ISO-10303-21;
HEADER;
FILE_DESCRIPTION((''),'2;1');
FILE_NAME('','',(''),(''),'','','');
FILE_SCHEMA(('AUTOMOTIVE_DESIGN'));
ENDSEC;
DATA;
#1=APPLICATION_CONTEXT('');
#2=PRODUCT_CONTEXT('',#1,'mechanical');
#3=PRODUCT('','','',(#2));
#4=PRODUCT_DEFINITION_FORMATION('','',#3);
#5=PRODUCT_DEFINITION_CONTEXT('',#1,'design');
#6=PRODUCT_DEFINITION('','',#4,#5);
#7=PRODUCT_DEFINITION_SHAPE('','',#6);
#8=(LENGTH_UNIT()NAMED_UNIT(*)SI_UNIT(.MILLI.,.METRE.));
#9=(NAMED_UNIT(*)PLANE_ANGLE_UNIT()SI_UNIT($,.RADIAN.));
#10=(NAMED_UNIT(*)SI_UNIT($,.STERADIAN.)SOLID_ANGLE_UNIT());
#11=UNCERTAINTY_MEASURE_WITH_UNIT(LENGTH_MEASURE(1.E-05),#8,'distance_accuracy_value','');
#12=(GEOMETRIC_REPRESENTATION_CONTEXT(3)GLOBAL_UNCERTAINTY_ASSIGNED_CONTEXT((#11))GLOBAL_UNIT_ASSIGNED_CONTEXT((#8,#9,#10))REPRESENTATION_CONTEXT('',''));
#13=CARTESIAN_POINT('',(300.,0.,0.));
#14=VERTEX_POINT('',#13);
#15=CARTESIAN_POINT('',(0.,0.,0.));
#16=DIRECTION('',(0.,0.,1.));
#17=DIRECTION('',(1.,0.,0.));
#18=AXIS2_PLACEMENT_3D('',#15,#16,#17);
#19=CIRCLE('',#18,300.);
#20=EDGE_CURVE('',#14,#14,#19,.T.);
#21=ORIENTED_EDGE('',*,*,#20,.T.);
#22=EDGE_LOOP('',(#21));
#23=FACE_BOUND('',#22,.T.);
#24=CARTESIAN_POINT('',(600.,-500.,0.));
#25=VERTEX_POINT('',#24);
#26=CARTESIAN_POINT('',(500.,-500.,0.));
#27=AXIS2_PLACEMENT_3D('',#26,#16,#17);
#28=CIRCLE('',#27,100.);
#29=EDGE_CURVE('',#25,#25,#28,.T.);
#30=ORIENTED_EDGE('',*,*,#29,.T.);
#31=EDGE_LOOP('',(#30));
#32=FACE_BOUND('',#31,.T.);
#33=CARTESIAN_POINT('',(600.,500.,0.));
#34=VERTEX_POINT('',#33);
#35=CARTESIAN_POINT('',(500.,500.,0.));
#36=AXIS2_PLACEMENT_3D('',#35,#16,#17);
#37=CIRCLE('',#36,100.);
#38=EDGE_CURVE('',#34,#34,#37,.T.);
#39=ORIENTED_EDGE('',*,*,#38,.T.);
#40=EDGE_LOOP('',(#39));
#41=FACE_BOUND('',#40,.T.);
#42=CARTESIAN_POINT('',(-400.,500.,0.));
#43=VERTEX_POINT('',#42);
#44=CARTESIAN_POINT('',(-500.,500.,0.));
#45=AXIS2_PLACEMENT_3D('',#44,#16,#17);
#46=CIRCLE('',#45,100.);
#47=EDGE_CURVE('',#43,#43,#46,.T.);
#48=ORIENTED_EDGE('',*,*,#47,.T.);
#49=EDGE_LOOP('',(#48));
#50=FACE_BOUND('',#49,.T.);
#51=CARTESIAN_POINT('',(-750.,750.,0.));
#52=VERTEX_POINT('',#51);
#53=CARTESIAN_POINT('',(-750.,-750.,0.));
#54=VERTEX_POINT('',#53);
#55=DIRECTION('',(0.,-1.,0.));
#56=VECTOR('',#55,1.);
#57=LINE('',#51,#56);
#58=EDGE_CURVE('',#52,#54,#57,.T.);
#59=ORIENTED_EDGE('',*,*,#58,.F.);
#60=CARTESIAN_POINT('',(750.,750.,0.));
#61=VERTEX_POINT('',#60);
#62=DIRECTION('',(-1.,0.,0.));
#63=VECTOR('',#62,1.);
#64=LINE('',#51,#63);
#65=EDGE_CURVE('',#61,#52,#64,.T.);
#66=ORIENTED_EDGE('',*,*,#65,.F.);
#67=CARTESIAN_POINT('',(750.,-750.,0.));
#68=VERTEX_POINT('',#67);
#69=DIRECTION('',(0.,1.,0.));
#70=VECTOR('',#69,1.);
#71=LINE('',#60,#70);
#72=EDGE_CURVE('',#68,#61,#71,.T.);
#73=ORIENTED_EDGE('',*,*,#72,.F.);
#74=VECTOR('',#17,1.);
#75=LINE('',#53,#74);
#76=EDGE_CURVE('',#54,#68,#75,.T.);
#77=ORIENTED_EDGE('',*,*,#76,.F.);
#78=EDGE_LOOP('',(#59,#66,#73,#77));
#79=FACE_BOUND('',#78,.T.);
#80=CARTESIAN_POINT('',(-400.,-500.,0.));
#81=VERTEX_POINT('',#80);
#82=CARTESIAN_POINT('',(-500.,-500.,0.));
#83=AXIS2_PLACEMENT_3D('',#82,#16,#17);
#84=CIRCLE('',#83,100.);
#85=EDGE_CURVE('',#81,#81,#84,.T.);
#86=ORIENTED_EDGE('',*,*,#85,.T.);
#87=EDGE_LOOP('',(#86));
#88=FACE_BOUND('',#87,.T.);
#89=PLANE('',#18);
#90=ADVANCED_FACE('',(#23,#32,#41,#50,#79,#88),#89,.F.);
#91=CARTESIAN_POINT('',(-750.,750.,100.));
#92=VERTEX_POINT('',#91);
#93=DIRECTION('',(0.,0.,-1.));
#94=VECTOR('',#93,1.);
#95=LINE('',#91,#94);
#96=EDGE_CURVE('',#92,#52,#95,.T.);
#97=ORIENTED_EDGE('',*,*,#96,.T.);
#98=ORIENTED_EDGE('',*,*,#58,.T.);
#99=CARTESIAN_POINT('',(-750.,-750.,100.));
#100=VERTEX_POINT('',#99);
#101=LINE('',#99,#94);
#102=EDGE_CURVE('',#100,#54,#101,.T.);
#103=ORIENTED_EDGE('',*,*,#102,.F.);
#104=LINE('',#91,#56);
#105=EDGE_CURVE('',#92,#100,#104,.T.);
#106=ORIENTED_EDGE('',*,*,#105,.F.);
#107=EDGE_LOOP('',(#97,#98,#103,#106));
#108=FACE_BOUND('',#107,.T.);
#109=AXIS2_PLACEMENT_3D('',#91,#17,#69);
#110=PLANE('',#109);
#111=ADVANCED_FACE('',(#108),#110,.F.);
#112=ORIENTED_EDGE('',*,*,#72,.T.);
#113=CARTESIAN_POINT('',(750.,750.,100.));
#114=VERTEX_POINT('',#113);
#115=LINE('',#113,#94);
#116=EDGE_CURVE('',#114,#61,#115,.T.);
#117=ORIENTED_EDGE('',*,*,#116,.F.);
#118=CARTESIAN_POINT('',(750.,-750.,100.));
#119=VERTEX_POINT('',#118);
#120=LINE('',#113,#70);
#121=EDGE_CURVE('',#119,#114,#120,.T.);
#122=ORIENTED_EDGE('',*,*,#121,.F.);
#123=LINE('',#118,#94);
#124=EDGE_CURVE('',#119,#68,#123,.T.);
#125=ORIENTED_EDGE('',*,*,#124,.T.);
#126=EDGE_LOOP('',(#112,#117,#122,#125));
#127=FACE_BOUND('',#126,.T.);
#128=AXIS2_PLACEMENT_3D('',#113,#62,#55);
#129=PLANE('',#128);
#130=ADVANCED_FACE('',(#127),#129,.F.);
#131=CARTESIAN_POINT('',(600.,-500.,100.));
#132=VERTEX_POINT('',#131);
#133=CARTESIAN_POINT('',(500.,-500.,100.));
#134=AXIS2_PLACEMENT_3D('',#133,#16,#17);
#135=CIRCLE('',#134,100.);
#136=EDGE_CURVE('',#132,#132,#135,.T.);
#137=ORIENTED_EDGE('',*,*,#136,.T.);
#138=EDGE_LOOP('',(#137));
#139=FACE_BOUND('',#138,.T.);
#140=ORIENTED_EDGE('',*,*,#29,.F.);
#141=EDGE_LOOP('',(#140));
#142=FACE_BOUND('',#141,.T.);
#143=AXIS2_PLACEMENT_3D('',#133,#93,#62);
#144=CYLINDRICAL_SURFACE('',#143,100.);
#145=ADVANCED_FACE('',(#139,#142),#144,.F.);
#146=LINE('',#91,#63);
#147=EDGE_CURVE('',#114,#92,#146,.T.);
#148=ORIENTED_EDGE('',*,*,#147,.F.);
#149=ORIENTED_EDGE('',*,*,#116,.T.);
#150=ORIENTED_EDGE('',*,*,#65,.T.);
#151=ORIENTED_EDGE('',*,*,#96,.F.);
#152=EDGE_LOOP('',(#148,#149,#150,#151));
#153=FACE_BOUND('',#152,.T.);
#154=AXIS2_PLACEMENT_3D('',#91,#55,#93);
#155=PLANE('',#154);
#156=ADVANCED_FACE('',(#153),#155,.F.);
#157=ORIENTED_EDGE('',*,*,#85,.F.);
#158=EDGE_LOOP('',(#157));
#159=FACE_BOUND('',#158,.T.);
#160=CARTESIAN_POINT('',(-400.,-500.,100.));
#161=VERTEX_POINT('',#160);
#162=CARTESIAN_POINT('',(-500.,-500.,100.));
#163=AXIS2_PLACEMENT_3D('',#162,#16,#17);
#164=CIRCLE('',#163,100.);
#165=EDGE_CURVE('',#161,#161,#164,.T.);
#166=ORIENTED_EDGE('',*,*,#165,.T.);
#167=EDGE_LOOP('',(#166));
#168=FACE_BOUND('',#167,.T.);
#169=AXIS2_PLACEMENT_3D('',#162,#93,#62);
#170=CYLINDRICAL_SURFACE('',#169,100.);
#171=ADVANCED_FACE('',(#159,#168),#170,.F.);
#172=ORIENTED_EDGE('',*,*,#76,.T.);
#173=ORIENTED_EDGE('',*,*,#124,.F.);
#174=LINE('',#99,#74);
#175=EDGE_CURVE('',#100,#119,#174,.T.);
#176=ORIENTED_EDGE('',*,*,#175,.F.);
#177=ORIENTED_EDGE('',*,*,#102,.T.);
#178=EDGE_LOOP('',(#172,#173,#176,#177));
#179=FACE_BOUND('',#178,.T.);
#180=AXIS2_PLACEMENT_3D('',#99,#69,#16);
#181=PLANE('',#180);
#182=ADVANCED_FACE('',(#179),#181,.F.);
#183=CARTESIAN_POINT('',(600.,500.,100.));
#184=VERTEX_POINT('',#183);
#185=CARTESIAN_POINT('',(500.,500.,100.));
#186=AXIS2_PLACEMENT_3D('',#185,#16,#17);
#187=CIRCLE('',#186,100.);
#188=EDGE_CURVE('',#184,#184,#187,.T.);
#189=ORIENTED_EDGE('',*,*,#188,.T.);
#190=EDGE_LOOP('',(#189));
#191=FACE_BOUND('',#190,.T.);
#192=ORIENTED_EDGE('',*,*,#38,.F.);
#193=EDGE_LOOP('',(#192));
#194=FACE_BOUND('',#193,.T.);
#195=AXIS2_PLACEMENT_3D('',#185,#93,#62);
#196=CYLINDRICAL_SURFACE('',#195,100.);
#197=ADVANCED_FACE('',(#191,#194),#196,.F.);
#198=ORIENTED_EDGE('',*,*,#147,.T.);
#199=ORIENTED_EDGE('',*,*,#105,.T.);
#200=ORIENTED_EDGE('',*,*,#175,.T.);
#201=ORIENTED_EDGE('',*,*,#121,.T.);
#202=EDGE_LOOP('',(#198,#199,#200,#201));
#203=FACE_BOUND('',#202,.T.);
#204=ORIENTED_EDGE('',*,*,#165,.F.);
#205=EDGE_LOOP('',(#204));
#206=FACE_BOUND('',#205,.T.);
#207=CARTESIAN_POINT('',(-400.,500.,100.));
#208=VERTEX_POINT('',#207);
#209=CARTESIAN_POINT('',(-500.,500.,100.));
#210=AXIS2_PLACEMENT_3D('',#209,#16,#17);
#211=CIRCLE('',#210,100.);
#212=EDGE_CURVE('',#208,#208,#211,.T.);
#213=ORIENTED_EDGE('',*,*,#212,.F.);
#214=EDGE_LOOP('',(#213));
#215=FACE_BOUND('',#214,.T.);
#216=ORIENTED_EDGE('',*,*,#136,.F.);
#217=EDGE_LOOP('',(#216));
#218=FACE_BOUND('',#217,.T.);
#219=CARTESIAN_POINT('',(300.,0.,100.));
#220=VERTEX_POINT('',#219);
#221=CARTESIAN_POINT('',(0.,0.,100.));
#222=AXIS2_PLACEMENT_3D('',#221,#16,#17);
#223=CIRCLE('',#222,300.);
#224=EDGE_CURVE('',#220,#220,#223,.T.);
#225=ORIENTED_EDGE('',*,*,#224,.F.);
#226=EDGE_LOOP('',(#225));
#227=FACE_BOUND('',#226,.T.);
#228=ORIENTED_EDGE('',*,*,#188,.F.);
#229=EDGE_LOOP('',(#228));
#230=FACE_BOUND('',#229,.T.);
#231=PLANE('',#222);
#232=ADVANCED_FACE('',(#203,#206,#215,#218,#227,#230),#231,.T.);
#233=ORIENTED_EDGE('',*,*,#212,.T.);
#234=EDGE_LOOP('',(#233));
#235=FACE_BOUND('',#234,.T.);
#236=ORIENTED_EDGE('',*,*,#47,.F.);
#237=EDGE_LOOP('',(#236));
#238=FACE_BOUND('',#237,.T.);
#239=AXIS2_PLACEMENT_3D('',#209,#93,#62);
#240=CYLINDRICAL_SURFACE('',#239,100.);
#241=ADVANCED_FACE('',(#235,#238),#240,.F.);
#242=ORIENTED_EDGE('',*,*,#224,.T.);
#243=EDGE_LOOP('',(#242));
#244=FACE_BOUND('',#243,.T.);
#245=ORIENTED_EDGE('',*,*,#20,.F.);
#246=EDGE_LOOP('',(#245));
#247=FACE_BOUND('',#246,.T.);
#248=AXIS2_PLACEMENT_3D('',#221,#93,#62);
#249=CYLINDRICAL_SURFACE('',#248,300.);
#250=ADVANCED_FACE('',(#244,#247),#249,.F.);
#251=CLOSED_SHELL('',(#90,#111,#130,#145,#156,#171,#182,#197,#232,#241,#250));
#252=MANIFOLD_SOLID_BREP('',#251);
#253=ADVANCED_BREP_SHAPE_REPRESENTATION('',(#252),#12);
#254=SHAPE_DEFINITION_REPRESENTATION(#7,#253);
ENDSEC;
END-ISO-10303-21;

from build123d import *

# Parameters (mm, degrees)
SKETCH1_W           = 1500
SKETCH1_H           = 1500
SKETCH1_R           = 300
SKETCH1_R_2         = 100
BOSS_EXTRUDE1_DEPTH = 100


with BuildPart() as part:
    # Sketch1 → Boss-Extrude1 (new body)
    with BuildSketch(Plane.XY):
        Rectangle(SKETCH1_W, SKETCH1_H)
        Circle(SKETCH1_R, mode=Mode.SUBTRACT)
        with Locations((-500, 500)):
            Circle(SKETCH1_R_2, mode=Mode.SUBTRACT)
        with Locations((500, 500)):
            Circle(SKETCH1_R_2, mode=Mode.SUBTRACT)
        with Locations((500, -500)):
            Circle(SKETCH1_R_2, mode=Mode.SUBTRACT)
        with Locations((-500, -500)):
            Circle(SKETCH1_R_2, mode=Mode.SUBTRACT)
    extrude(amount=BOSS_EXTRUDE1_DEPTH)


solid = part.part
